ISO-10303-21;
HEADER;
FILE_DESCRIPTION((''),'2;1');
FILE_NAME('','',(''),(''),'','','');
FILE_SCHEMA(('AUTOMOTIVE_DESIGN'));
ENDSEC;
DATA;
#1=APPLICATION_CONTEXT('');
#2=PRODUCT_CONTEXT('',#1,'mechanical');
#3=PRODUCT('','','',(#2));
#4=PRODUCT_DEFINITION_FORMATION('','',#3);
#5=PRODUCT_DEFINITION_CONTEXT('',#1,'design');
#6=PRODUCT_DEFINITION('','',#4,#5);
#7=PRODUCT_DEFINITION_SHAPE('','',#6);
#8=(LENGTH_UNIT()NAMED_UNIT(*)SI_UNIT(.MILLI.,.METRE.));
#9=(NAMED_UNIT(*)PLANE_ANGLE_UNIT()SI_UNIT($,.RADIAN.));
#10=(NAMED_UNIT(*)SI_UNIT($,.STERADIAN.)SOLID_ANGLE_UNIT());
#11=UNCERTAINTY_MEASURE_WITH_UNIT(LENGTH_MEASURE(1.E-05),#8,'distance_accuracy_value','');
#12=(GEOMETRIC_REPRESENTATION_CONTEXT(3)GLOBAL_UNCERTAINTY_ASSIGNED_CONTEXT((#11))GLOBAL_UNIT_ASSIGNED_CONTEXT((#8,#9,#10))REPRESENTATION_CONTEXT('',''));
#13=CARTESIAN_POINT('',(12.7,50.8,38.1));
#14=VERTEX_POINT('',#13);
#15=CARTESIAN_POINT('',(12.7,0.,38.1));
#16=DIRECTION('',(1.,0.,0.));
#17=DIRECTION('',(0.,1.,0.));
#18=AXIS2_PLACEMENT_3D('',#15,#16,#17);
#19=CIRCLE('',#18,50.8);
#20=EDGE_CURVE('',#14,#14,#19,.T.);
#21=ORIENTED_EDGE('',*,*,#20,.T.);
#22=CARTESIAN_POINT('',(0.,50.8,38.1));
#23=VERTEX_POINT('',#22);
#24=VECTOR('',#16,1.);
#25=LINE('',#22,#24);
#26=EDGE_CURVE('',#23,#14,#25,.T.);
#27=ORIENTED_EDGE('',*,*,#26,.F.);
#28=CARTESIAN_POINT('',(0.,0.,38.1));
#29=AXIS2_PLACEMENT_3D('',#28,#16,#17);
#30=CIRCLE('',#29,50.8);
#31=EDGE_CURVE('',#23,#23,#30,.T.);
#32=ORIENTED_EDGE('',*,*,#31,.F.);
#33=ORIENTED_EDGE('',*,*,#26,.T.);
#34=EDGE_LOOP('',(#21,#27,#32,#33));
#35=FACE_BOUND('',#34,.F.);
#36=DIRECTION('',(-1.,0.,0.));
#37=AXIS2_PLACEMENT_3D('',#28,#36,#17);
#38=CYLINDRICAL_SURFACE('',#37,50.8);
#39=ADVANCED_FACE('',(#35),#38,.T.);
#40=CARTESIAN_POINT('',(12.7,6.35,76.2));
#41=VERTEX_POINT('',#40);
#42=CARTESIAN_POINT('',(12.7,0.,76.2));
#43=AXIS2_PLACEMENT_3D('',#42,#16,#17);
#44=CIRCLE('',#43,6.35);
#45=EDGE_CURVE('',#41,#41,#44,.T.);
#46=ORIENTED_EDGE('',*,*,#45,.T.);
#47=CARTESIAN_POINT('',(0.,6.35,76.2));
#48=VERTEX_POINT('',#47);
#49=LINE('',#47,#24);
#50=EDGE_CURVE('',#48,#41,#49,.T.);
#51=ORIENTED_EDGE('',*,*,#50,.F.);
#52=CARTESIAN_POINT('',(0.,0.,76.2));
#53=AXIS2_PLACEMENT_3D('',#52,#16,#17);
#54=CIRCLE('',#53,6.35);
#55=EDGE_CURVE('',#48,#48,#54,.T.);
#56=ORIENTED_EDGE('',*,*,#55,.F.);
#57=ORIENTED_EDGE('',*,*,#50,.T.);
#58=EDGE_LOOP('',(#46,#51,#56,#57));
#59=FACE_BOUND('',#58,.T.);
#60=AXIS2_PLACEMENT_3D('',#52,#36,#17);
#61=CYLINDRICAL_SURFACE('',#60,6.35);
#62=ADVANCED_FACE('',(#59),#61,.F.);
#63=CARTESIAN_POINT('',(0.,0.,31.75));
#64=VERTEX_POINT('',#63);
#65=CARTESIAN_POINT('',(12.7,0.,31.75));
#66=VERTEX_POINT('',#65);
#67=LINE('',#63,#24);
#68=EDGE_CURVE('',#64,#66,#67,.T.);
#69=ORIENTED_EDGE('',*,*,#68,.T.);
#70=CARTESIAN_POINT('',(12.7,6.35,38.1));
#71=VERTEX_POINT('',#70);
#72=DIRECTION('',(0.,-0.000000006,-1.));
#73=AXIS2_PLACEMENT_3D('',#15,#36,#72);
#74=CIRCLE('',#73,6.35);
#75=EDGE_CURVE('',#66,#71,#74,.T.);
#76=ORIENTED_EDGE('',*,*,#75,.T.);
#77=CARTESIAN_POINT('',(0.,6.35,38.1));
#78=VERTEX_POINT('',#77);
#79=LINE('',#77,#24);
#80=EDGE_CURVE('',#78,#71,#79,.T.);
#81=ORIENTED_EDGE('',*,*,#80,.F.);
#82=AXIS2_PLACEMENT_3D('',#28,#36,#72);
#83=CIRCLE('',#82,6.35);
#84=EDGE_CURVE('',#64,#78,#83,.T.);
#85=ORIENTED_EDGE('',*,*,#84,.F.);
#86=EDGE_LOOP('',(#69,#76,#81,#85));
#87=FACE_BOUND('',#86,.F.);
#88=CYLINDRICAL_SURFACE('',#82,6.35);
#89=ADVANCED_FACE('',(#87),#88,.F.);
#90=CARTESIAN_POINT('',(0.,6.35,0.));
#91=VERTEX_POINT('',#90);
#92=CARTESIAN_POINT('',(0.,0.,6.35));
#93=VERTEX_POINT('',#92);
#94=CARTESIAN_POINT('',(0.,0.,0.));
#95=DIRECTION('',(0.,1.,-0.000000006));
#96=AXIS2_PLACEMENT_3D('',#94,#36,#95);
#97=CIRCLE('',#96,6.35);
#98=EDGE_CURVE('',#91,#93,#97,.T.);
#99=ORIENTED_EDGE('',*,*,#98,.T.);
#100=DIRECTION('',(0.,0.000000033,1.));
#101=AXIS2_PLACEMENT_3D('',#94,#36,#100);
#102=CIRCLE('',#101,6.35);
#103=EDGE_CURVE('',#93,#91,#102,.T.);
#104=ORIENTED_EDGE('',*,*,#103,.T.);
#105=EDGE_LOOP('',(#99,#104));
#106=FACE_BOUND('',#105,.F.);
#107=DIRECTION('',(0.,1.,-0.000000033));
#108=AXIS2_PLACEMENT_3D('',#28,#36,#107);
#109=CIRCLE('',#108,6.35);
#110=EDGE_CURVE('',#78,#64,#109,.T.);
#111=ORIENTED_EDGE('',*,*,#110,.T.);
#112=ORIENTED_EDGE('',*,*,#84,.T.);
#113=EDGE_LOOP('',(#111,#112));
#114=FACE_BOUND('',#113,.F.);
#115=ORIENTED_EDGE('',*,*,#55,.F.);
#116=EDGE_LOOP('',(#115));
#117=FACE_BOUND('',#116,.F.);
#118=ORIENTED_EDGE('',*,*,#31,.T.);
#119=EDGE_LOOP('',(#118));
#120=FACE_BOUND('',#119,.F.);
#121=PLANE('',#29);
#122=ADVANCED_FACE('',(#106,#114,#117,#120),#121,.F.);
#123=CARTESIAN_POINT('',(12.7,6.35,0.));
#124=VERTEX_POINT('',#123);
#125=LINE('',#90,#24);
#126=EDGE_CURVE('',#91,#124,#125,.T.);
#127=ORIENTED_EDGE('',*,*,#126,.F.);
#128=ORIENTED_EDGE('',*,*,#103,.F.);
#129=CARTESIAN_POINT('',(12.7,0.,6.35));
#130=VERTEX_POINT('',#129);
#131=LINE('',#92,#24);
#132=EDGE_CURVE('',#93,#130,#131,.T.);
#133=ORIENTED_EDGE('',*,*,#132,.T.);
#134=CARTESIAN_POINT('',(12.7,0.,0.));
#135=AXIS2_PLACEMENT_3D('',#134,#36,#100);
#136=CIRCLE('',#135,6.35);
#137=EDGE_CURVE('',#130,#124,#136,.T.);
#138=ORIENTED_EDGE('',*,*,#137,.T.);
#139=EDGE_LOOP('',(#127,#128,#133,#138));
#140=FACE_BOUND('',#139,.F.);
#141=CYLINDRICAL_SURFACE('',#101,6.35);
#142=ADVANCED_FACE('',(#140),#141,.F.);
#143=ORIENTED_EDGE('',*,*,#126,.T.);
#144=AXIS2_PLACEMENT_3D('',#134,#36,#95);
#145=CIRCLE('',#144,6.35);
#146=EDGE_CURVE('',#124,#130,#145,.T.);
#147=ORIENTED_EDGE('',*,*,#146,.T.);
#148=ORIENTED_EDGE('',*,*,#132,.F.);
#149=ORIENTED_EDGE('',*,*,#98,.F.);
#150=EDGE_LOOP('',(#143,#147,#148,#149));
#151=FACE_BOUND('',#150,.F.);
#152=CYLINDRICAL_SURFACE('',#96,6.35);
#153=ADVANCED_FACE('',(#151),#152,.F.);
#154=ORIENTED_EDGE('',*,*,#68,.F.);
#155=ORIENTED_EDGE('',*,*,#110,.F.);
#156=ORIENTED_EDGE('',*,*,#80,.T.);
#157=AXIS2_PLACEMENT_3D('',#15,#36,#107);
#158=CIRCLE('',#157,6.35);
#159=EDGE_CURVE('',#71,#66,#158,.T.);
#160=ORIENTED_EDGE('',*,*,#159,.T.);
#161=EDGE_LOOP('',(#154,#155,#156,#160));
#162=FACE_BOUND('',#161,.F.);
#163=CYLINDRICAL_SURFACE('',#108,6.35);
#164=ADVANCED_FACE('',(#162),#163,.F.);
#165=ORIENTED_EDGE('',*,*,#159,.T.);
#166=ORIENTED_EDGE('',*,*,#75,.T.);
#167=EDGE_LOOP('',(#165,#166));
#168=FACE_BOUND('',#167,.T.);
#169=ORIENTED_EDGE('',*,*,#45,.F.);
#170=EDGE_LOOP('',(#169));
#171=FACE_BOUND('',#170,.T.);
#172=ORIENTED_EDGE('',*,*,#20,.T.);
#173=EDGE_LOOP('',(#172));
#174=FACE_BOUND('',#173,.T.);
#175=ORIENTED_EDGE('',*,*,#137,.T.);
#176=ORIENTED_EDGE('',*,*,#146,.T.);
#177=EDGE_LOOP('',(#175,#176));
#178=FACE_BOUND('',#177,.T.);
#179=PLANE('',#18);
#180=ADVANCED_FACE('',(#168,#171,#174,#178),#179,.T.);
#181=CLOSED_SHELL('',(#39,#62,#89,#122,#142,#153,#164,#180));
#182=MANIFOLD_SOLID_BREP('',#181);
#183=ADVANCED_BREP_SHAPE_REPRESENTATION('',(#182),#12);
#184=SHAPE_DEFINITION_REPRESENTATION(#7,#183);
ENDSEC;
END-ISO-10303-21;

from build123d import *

# Parameters (mm, degrees)
F0_R     = 50.8
F0_R_2   = 6.35
F1_DEPTH = 12.7


with BuildPart() as f1:
    # F0 (on Right) → F1 (new body)
    with BuildSketch(Plane.YZ):
        with Locations((0, 38.1)):
            Circle(F0_R)
        with BuildLine():
            ThreePointArc((6.35, 0), (-4.490128, -4.490128), (0, 6.35))
            ThreePointArc((0, 6.35), (4.490128, 4.490128), (6.35, 0))
        make_face(mode=Mode.SUBTRACT)
        with BuildLine():
            ThreePointArc((6.35, 38.1), (4.490128, 33.609872), (0, 31.75))
            ThreePointArc((0, 31.75), (-4.490128, 42.590128), (6.35, 38.1))
        make_face(mode=Mode.SUBTRACT)
        with Locations((0, 76.2)):
            Circle(F0_R_2, mode=Mode.SUBTRACT)
    extrude(amount=F1_DEPTH)


solid = f1.part
